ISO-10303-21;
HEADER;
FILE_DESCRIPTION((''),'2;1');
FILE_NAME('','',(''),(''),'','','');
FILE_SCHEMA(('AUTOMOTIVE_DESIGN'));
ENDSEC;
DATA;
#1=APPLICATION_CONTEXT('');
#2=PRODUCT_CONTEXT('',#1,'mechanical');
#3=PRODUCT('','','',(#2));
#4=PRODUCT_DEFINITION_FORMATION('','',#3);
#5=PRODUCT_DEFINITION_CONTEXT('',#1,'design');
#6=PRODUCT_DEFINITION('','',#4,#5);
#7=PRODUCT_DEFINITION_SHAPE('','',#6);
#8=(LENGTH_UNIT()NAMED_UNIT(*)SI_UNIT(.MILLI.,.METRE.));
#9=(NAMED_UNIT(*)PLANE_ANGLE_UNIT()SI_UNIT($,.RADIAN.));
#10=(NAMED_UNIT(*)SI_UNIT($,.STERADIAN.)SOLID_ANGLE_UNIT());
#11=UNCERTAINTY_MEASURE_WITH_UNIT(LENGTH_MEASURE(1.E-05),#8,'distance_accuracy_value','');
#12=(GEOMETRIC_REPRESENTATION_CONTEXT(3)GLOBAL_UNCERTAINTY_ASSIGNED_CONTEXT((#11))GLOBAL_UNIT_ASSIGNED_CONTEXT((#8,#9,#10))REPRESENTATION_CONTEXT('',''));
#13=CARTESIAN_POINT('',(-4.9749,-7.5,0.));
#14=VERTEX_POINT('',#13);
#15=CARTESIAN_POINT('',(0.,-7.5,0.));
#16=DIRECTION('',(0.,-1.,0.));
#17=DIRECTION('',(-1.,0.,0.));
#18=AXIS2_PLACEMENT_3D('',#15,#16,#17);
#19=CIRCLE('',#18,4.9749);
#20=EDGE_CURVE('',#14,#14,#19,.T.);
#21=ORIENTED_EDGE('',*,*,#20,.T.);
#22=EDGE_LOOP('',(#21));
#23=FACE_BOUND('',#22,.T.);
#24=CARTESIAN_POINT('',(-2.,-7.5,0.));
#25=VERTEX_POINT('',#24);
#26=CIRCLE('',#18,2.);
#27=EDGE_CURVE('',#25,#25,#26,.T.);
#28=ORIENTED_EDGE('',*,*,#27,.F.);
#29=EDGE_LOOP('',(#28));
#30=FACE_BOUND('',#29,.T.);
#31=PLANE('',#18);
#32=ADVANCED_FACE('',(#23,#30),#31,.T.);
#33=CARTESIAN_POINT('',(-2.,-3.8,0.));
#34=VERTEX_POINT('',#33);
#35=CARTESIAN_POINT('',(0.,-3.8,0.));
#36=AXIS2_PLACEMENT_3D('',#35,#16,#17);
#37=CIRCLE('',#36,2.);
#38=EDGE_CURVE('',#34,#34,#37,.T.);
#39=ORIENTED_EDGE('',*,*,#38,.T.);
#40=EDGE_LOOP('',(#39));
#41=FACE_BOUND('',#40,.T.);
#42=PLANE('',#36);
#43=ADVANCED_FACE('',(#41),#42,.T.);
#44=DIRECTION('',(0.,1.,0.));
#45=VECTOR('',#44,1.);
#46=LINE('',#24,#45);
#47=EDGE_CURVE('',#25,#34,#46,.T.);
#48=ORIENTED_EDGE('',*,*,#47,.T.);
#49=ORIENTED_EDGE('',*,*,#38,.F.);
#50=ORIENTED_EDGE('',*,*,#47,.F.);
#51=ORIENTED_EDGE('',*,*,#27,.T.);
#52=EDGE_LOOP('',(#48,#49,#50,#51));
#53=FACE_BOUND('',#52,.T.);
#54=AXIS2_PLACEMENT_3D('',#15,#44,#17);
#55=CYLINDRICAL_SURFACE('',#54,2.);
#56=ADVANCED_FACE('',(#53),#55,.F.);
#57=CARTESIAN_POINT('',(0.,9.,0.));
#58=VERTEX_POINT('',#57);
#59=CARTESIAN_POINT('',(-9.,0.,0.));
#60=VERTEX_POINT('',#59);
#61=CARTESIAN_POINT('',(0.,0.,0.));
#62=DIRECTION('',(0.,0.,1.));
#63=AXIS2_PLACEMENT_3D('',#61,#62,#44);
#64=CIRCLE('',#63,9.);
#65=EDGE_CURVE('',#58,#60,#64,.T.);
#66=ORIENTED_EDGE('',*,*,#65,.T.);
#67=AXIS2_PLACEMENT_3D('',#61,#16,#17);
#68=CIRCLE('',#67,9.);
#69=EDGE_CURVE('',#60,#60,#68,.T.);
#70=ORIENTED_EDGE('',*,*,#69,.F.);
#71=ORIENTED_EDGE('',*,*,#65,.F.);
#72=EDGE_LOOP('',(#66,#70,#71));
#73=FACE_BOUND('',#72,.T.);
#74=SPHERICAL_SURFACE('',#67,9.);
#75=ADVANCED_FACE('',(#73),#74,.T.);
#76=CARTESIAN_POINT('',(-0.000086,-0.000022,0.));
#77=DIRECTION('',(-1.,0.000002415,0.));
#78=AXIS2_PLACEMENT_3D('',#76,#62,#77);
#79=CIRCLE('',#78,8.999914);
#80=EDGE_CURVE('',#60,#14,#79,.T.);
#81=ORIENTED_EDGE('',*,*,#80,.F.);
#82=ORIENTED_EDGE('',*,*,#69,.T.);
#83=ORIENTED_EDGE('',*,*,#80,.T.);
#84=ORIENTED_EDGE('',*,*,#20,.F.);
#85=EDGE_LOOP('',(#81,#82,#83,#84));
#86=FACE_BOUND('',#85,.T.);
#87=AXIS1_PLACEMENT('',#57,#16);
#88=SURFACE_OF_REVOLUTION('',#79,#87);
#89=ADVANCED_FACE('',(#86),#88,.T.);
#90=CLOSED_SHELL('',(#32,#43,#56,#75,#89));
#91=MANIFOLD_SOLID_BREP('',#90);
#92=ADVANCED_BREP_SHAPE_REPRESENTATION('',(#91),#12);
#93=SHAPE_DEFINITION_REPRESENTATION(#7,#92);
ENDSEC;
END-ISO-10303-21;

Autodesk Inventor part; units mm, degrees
ref_plane "YZ Plane" through (0, 0, 0) normal (1, 0, 0) x (0, 1, 0)
ref_plane "XZ Plane" through (0, 0, 0) normal (0, 1, 0) x (-1, 0, 0)
ref_plane "XY Plane" through (0, 0, 0) normal (0, 0, 1) x (1, 0, 0)
sketch "Эскиз1" plane through (0, 0, 0) normal (0, 0, 1) x (1, 0, 0)
  line L0 (-4.9749, -7.5) -> (-2, -7.5)
  arc A0 (-9, 0) -> (-4.9749, -7.5) centre (0, 0) ccw
  arc A1 (0, 9) -> (-9, 0) centre (0, 0) ccw
  line L1 (-2, -7.5) -> (-2, -3.8)
  line L2 (-2, -3.8) -> (0, -3.8)
  line L3 (0, 9) -> (0, -3.8)
  dimension "d4" = 3.7
  dimension "d5" = 16.5
  dimension "d6" = 9
revolve "Вращение1" add sketch "Эскиз1" angle 360 about axis through (0, 9, 0) along (0, -1, 0)
properties part number "16"
